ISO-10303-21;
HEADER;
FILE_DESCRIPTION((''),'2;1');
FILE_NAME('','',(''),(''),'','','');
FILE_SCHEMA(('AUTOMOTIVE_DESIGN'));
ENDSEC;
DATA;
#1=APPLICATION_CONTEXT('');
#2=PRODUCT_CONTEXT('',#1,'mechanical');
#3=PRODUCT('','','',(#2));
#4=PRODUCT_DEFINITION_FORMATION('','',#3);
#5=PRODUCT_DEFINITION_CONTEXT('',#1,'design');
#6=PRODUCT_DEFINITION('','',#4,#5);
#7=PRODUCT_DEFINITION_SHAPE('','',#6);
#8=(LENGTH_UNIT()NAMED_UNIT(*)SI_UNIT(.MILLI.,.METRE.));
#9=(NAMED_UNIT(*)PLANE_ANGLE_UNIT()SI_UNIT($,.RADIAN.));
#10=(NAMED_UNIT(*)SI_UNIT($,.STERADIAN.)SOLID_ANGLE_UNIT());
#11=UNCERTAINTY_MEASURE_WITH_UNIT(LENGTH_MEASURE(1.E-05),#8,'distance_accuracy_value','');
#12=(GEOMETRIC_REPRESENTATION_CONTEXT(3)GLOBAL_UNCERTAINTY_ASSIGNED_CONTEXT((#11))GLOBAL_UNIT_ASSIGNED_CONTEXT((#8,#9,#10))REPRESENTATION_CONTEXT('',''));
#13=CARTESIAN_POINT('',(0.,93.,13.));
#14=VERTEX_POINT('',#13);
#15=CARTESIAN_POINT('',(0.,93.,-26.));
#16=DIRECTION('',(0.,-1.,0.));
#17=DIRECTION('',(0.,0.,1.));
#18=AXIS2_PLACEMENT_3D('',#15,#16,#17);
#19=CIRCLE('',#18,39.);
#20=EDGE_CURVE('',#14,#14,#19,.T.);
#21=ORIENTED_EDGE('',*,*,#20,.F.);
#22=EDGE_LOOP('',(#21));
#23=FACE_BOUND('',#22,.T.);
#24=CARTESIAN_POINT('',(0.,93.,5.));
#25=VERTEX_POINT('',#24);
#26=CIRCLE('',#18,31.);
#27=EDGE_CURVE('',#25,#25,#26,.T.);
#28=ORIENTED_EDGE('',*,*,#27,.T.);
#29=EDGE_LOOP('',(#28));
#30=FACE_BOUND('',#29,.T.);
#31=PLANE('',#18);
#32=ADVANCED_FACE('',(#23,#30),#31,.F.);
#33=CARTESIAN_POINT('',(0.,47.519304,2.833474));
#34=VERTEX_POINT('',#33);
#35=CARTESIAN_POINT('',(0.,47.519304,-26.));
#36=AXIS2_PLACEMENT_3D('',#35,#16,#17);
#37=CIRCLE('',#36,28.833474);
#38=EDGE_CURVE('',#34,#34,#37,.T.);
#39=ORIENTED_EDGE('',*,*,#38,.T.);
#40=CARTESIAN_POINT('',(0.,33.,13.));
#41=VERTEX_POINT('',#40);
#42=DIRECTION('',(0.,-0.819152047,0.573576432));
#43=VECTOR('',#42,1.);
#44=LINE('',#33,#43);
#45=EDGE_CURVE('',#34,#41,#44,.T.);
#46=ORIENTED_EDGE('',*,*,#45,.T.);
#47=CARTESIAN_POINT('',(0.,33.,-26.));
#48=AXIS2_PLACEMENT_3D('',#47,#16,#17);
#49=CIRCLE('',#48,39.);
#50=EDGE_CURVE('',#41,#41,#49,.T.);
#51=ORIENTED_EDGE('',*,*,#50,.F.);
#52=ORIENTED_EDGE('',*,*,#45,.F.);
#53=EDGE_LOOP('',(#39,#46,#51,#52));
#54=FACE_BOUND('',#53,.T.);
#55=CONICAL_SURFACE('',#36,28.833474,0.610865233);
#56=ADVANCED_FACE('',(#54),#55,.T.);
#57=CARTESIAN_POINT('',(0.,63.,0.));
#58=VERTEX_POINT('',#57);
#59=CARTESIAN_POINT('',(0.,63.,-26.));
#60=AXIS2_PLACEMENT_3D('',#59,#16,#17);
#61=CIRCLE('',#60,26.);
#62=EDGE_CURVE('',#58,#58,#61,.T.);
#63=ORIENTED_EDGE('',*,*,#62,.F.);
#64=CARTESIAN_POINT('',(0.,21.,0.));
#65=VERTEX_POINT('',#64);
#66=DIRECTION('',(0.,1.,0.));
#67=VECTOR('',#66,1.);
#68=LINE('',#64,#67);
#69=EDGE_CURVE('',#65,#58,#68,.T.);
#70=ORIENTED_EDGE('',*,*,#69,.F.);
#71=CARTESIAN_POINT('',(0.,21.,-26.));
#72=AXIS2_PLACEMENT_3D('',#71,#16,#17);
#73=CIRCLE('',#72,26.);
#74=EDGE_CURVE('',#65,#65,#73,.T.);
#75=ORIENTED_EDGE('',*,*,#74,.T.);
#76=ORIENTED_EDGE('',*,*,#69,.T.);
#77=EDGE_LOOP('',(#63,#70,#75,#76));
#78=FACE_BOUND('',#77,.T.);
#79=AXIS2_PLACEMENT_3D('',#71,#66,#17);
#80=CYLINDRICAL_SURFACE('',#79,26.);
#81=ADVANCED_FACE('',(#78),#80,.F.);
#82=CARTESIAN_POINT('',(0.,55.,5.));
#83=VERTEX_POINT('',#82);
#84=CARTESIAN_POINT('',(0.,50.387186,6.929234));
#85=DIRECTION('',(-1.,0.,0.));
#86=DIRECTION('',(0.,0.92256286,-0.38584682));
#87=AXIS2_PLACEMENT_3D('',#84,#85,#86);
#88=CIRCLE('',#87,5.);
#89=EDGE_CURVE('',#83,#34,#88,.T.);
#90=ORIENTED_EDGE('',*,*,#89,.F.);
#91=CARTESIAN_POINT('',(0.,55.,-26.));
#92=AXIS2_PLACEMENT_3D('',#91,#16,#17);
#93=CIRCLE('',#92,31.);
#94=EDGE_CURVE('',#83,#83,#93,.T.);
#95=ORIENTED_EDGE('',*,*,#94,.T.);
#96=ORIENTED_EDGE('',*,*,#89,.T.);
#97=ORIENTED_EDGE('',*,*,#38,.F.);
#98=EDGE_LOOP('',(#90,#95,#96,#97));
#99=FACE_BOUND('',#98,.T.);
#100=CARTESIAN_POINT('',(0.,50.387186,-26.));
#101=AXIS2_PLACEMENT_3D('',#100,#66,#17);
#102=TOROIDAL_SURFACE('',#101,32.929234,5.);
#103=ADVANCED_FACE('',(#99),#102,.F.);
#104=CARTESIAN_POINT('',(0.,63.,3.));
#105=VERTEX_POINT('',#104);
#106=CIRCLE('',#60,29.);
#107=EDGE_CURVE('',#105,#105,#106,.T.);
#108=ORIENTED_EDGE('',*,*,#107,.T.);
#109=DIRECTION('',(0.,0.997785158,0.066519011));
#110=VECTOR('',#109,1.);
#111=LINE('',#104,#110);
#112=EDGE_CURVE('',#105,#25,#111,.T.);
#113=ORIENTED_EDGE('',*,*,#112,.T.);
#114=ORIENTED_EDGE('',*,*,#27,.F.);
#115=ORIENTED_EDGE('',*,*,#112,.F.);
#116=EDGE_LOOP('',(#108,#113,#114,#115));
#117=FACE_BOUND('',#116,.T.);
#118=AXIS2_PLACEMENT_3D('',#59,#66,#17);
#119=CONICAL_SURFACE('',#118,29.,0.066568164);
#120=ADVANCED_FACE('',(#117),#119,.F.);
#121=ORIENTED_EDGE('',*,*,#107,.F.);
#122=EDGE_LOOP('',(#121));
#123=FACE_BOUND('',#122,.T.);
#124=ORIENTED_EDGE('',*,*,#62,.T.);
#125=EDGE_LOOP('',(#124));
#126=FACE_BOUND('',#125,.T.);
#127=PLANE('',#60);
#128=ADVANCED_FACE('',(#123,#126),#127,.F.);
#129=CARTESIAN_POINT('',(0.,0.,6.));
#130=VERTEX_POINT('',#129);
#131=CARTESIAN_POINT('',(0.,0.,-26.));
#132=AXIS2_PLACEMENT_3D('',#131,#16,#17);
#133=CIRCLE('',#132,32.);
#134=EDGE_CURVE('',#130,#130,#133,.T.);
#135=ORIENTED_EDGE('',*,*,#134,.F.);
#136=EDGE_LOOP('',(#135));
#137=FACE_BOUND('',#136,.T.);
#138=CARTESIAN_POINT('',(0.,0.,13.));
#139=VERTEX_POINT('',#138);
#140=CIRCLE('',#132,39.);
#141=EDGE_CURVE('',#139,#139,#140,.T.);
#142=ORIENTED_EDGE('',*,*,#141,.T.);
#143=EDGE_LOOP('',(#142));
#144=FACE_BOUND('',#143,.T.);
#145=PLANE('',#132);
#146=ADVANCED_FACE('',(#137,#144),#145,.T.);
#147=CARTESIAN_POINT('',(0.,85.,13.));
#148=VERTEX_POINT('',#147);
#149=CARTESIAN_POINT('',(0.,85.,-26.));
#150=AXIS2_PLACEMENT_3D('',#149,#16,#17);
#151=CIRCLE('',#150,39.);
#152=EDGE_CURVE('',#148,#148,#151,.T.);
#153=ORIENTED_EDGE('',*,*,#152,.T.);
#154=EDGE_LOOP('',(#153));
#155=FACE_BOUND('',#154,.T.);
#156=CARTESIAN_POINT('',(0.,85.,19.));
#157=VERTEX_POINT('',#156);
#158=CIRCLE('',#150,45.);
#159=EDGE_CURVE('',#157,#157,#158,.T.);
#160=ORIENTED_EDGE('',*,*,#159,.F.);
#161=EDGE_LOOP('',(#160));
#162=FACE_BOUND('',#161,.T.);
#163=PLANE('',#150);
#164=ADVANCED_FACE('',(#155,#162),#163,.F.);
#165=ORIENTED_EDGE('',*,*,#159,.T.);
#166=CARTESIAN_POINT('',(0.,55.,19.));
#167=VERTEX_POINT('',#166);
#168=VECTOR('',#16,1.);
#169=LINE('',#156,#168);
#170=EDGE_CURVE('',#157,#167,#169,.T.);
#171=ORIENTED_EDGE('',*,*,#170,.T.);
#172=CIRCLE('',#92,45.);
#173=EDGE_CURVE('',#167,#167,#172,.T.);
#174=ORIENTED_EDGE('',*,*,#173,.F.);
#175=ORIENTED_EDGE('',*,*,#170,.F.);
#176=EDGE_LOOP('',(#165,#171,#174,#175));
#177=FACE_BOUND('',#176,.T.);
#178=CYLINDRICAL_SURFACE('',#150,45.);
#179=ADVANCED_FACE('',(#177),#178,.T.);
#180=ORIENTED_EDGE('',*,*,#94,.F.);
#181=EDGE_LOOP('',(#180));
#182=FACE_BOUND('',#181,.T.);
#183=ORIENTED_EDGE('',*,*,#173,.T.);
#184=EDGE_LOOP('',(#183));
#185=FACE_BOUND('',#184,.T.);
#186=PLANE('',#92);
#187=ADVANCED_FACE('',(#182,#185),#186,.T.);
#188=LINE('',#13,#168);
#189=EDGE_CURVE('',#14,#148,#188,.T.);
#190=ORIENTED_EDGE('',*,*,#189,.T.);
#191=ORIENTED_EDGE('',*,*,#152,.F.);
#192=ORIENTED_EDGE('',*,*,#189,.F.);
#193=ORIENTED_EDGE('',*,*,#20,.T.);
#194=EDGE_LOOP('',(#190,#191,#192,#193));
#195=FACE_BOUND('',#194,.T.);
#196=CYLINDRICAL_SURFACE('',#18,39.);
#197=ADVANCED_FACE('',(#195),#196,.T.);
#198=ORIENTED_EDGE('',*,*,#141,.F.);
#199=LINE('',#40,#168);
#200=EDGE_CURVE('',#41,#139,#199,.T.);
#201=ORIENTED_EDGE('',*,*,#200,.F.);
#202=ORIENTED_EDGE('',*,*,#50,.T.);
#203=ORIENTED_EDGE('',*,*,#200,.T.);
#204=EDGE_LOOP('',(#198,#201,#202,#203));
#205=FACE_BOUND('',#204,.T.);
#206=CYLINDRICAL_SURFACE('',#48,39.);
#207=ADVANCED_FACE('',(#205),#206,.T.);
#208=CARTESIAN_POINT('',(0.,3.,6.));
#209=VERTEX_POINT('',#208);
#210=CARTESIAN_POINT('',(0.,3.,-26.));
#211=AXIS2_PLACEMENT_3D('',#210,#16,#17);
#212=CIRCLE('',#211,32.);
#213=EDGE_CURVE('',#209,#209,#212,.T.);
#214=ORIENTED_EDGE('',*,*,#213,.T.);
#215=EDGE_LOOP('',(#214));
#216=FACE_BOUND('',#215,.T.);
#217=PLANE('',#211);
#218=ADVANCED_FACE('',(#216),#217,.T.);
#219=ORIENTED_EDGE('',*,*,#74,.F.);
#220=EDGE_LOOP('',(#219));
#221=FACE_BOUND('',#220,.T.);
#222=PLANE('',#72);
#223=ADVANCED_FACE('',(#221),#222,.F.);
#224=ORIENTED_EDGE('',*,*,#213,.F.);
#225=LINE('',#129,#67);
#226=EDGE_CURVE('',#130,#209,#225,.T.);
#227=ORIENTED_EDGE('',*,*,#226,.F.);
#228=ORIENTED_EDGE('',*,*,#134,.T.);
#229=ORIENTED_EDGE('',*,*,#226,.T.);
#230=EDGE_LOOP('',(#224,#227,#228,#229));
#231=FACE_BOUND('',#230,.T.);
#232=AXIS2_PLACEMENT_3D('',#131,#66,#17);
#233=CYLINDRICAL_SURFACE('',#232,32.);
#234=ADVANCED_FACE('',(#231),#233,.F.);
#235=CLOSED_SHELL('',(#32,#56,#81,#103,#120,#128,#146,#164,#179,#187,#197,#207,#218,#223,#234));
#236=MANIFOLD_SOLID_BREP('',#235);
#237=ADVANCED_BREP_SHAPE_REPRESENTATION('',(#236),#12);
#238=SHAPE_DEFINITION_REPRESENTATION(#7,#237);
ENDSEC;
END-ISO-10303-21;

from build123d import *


with BuildPart() as f1:
    # F0 (on Right) → F1 (revolve)
    with BuildSketch(Plane.YZ):
        with BuildLine():
            Line((33, 13), (0, 13))
            Line((0, 13), (0, 6))
            Line((0, 6), (3, 6))
            Line((3, 6), (3, -26))
            Line((3, -26), (21, -26))
            Line((21, -26), (21, 0))
            Line((21, 0), (63, 0))
            Line((63, 0), (63, 3))
            Line((63, 3), (93, 5))
            Line((93, 5), (93, 13))
            Line((93, 13), (85, 13))
            Line((85, 13), (85, 19))
            Line((85, 19), (55, 19))
            Line((55, 19), (55, 5))
            ThreePointArc((55, 5), (51.778105, 2.126595), (47.519304, 2.833474))
            Line((47.519304, 2.833474), (33, 13))
        make_face()
    revolve(axis=Axis((0, 12, -26), (0, -1, 0)))


solid = f1.part
